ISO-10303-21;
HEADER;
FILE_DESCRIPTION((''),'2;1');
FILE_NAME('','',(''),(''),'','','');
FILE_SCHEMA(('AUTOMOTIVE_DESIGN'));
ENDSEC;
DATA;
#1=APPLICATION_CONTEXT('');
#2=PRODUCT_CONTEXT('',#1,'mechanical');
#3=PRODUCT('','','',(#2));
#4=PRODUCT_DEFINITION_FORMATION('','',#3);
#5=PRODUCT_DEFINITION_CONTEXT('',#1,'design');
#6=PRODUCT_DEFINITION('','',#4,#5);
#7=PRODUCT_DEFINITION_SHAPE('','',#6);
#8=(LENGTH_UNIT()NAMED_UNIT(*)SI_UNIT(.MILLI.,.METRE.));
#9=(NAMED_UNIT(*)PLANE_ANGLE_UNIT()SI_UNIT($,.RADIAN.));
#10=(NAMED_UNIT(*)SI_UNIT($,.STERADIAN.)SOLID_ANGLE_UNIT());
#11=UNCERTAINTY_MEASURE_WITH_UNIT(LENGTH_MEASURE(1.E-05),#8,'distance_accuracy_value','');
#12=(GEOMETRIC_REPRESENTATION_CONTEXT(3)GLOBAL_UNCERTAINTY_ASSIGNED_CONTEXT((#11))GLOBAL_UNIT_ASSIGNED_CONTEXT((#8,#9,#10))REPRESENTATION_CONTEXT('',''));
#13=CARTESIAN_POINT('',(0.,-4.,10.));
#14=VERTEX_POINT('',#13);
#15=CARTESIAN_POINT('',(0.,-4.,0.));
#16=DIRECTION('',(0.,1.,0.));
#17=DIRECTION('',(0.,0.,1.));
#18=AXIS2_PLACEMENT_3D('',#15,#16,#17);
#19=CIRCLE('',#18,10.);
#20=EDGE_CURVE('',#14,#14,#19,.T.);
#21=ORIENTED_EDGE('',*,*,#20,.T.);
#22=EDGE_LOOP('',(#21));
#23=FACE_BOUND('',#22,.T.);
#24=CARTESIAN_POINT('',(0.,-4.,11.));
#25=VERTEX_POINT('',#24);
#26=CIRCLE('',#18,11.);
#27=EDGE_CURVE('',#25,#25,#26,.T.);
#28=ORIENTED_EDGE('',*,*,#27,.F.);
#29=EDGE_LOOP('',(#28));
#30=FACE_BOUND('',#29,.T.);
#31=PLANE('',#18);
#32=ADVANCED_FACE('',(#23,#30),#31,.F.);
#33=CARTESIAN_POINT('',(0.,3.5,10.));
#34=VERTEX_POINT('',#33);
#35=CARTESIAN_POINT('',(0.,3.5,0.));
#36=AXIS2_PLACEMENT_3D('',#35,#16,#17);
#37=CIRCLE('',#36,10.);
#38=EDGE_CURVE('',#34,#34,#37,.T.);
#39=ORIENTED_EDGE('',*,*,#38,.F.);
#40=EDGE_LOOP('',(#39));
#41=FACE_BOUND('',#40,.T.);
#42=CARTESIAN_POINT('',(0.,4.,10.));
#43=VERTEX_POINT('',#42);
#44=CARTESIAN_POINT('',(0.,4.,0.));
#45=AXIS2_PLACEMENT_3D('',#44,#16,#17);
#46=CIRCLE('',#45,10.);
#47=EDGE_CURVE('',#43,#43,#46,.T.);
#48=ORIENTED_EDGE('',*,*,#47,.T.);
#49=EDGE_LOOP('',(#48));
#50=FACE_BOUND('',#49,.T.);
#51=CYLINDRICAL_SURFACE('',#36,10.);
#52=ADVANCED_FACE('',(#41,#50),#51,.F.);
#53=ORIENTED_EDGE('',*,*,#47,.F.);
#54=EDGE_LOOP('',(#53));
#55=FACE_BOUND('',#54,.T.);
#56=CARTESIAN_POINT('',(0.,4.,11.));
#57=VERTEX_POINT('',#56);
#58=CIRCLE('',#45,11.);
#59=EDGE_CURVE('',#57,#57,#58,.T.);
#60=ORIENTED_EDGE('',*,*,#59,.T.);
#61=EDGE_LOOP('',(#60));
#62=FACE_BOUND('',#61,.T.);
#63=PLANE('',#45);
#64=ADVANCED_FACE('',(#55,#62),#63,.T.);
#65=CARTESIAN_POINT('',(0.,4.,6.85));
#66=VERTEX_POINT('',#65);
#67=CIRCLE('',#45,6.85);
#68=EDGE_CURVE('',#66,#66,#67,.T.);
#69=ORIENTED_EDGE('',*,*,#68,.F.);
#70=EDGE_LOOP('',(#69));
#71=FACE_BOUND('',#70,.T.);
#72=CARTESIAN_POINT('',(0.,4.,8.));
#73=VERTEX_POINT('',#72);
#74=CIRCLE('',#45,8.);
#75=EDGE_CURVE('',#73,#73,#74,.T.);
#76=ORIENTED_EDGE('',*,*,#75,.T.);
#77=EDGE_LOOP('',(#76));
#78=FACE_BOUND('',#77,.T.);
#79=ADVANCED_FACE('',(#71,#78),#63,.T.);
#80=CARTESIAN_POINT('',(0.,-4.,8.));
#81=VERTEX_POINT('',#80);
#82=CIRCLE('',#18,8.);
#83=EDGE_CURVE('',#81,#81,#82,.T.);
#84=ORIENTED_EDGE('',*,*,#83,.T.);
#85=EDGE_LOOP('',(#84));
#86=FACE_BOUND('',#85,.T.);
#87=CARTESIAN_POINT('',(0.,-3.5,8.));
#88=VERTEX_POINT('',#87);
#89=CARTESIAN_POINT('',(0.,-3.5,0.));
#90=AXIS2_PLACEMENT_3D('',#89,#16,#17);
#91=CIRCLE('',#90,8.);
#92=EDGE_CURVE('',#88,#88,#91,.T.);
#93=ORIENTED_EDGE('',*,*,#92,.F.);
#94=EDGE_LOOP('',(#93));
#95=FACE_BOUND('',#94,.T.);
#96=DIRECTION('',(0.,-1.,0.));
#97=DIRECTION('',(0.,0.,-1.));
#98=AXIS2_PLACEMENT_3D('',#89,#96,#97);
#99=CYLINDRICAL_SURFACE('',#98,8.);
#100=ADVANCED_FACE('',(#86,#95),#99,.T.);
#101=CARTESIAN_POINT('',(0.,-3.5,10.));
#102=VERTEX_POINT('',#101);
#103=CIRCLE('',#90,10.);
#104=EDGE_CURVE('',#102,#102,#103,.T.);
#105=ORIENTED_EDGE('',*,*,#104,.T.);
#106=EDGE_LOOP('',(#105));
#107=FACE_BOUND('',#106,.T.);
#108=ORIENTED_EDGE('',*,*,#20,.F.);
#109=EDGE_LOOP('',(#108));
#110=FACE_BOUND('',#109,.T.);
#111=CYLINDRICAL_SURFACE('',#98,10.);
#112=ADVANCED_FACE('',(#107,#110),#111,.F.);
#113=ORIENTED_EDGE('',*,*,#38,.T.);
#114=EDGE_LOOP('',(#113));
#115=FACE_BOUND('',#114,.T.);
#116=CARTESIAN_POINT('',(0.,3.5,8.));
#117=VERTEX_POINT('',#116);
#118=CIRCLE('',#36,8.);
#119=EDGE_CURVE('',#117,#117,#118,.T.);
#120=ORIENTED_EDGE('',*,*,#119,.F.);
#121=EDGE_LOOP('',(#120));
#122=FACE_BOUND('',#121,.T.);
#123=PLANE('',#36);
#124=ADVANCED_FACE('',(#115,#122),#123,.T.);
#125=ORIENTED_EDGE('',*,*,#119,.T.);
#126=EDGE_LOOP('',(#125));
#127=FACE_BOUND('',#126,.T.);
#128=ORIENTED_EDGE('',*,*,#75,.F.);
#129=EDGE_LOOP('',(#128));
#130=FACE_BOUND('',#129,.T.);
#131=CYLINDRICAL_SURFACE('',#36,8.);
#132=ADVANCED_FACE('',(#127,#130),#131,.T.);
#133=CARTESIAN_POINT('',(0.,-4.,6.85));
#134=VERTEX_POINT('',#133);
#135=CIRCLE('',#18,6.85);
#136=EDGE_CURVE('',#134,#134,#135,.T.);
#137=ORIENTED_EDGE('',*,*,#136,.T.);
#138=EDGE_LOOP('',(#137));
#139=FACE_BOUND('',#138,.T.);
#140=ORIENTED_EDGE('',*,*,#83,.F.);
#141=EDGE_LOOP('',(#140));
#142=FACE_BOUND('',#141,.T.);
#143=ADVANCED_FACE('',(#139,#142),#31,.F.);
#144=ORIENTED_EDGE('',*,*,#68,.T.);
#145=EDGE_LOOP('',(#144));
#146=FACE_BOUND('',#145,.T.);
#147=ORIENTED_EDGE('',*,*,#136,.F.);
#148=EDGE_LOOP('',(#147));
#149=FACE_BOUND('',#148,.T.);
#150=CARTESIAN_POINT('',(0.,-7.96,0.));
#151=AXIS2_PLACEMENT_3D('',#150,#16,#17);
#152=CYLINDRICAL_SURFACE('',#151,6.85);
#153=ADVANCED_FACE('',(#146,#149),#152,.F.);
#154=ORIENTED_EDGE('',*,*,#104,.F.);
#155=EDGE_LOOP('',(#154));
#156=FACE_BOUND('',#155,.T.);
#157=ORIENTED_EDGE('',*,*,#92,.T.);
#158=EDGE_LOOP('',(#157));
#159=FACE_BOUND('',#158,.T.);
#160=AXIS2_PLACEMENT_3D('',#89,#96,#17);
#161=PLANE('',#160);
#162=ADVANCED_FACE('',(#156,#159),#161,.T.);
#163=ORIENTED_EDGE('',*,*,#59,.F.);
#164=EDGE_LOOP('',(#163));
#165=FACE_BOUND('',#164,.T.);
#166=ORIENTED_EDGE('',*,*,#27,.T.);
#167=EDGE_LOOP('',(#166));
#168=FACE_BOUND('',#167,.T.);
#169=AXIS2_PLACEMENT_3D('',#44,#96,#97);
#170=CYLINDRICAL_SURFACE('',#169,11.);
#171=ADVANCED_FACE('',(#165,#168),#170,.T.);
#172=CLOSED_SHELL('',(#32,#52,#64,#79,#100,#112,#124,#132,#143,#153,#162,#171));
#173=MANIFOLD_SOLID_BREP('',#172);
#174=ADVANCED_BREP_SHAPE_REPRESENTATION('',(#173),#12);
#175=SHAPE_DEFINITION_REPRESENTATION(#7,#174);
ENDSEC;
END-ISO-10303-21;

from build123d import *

# Parameters (mm, degrees)
SKETCH1_R           = 11
BOSS_EXTRUDE1_DEPTH = 4
SKETCH2_R           = 6.85
CUT_EXTRUDE1_DEPTH  = 11.96
SKETCH3_R           = 10
SKETCH3_R_2         = 8
CUT_EXTRUDE2_DEPTH  = 0.5


with BuildPart() as part:
    # Sketch1 → Boss-Extrude1 (new body, symmetric)
    with BuildSketch(Plane(origin=(0, 0, 0), x_dir=(1, 0, 0), z_dir=(0, 1, 0))):
        Circle(SKETCH1_R)
    extrude(amount=BOSS_EXTRUDE1_DEPTH, both=True)

    # Sketch2 → Cut-Extrude1 (cut)
    with BuildSketch(Plane(origin=(0, 4, 0), x_dir=(1, 0, 0), z_dir=(0, 1, 0))):
        Circle(SKETCH2_R)
    extrude(amount=-CUT_EXTRUDE1_DEPTH, mode=Mode.SUBTRACT)

    # Sketch3 → Cut-Extrude2 (cut)
    with BuildSketch(Plane(origin=(0, 4, 0), x_dir=(1, 0, 0), z_dir=(0, 1, 0))):
        Circle(SKETCH3_R)
        Circle(SKETCH3_R_2, mode=Mode.SUBTRACT)
    cut_extrude2 = extrude(amount=-CUT_EXTRUDE2_DEPTH, mode=Mode.SUBTRACT)

    # Mirror1: Cut-Extrude2 across plane
    add(cut_extrude2.mirror(Plane.ZX), mode=Mode.SUBTRACT)


solid = part.part
